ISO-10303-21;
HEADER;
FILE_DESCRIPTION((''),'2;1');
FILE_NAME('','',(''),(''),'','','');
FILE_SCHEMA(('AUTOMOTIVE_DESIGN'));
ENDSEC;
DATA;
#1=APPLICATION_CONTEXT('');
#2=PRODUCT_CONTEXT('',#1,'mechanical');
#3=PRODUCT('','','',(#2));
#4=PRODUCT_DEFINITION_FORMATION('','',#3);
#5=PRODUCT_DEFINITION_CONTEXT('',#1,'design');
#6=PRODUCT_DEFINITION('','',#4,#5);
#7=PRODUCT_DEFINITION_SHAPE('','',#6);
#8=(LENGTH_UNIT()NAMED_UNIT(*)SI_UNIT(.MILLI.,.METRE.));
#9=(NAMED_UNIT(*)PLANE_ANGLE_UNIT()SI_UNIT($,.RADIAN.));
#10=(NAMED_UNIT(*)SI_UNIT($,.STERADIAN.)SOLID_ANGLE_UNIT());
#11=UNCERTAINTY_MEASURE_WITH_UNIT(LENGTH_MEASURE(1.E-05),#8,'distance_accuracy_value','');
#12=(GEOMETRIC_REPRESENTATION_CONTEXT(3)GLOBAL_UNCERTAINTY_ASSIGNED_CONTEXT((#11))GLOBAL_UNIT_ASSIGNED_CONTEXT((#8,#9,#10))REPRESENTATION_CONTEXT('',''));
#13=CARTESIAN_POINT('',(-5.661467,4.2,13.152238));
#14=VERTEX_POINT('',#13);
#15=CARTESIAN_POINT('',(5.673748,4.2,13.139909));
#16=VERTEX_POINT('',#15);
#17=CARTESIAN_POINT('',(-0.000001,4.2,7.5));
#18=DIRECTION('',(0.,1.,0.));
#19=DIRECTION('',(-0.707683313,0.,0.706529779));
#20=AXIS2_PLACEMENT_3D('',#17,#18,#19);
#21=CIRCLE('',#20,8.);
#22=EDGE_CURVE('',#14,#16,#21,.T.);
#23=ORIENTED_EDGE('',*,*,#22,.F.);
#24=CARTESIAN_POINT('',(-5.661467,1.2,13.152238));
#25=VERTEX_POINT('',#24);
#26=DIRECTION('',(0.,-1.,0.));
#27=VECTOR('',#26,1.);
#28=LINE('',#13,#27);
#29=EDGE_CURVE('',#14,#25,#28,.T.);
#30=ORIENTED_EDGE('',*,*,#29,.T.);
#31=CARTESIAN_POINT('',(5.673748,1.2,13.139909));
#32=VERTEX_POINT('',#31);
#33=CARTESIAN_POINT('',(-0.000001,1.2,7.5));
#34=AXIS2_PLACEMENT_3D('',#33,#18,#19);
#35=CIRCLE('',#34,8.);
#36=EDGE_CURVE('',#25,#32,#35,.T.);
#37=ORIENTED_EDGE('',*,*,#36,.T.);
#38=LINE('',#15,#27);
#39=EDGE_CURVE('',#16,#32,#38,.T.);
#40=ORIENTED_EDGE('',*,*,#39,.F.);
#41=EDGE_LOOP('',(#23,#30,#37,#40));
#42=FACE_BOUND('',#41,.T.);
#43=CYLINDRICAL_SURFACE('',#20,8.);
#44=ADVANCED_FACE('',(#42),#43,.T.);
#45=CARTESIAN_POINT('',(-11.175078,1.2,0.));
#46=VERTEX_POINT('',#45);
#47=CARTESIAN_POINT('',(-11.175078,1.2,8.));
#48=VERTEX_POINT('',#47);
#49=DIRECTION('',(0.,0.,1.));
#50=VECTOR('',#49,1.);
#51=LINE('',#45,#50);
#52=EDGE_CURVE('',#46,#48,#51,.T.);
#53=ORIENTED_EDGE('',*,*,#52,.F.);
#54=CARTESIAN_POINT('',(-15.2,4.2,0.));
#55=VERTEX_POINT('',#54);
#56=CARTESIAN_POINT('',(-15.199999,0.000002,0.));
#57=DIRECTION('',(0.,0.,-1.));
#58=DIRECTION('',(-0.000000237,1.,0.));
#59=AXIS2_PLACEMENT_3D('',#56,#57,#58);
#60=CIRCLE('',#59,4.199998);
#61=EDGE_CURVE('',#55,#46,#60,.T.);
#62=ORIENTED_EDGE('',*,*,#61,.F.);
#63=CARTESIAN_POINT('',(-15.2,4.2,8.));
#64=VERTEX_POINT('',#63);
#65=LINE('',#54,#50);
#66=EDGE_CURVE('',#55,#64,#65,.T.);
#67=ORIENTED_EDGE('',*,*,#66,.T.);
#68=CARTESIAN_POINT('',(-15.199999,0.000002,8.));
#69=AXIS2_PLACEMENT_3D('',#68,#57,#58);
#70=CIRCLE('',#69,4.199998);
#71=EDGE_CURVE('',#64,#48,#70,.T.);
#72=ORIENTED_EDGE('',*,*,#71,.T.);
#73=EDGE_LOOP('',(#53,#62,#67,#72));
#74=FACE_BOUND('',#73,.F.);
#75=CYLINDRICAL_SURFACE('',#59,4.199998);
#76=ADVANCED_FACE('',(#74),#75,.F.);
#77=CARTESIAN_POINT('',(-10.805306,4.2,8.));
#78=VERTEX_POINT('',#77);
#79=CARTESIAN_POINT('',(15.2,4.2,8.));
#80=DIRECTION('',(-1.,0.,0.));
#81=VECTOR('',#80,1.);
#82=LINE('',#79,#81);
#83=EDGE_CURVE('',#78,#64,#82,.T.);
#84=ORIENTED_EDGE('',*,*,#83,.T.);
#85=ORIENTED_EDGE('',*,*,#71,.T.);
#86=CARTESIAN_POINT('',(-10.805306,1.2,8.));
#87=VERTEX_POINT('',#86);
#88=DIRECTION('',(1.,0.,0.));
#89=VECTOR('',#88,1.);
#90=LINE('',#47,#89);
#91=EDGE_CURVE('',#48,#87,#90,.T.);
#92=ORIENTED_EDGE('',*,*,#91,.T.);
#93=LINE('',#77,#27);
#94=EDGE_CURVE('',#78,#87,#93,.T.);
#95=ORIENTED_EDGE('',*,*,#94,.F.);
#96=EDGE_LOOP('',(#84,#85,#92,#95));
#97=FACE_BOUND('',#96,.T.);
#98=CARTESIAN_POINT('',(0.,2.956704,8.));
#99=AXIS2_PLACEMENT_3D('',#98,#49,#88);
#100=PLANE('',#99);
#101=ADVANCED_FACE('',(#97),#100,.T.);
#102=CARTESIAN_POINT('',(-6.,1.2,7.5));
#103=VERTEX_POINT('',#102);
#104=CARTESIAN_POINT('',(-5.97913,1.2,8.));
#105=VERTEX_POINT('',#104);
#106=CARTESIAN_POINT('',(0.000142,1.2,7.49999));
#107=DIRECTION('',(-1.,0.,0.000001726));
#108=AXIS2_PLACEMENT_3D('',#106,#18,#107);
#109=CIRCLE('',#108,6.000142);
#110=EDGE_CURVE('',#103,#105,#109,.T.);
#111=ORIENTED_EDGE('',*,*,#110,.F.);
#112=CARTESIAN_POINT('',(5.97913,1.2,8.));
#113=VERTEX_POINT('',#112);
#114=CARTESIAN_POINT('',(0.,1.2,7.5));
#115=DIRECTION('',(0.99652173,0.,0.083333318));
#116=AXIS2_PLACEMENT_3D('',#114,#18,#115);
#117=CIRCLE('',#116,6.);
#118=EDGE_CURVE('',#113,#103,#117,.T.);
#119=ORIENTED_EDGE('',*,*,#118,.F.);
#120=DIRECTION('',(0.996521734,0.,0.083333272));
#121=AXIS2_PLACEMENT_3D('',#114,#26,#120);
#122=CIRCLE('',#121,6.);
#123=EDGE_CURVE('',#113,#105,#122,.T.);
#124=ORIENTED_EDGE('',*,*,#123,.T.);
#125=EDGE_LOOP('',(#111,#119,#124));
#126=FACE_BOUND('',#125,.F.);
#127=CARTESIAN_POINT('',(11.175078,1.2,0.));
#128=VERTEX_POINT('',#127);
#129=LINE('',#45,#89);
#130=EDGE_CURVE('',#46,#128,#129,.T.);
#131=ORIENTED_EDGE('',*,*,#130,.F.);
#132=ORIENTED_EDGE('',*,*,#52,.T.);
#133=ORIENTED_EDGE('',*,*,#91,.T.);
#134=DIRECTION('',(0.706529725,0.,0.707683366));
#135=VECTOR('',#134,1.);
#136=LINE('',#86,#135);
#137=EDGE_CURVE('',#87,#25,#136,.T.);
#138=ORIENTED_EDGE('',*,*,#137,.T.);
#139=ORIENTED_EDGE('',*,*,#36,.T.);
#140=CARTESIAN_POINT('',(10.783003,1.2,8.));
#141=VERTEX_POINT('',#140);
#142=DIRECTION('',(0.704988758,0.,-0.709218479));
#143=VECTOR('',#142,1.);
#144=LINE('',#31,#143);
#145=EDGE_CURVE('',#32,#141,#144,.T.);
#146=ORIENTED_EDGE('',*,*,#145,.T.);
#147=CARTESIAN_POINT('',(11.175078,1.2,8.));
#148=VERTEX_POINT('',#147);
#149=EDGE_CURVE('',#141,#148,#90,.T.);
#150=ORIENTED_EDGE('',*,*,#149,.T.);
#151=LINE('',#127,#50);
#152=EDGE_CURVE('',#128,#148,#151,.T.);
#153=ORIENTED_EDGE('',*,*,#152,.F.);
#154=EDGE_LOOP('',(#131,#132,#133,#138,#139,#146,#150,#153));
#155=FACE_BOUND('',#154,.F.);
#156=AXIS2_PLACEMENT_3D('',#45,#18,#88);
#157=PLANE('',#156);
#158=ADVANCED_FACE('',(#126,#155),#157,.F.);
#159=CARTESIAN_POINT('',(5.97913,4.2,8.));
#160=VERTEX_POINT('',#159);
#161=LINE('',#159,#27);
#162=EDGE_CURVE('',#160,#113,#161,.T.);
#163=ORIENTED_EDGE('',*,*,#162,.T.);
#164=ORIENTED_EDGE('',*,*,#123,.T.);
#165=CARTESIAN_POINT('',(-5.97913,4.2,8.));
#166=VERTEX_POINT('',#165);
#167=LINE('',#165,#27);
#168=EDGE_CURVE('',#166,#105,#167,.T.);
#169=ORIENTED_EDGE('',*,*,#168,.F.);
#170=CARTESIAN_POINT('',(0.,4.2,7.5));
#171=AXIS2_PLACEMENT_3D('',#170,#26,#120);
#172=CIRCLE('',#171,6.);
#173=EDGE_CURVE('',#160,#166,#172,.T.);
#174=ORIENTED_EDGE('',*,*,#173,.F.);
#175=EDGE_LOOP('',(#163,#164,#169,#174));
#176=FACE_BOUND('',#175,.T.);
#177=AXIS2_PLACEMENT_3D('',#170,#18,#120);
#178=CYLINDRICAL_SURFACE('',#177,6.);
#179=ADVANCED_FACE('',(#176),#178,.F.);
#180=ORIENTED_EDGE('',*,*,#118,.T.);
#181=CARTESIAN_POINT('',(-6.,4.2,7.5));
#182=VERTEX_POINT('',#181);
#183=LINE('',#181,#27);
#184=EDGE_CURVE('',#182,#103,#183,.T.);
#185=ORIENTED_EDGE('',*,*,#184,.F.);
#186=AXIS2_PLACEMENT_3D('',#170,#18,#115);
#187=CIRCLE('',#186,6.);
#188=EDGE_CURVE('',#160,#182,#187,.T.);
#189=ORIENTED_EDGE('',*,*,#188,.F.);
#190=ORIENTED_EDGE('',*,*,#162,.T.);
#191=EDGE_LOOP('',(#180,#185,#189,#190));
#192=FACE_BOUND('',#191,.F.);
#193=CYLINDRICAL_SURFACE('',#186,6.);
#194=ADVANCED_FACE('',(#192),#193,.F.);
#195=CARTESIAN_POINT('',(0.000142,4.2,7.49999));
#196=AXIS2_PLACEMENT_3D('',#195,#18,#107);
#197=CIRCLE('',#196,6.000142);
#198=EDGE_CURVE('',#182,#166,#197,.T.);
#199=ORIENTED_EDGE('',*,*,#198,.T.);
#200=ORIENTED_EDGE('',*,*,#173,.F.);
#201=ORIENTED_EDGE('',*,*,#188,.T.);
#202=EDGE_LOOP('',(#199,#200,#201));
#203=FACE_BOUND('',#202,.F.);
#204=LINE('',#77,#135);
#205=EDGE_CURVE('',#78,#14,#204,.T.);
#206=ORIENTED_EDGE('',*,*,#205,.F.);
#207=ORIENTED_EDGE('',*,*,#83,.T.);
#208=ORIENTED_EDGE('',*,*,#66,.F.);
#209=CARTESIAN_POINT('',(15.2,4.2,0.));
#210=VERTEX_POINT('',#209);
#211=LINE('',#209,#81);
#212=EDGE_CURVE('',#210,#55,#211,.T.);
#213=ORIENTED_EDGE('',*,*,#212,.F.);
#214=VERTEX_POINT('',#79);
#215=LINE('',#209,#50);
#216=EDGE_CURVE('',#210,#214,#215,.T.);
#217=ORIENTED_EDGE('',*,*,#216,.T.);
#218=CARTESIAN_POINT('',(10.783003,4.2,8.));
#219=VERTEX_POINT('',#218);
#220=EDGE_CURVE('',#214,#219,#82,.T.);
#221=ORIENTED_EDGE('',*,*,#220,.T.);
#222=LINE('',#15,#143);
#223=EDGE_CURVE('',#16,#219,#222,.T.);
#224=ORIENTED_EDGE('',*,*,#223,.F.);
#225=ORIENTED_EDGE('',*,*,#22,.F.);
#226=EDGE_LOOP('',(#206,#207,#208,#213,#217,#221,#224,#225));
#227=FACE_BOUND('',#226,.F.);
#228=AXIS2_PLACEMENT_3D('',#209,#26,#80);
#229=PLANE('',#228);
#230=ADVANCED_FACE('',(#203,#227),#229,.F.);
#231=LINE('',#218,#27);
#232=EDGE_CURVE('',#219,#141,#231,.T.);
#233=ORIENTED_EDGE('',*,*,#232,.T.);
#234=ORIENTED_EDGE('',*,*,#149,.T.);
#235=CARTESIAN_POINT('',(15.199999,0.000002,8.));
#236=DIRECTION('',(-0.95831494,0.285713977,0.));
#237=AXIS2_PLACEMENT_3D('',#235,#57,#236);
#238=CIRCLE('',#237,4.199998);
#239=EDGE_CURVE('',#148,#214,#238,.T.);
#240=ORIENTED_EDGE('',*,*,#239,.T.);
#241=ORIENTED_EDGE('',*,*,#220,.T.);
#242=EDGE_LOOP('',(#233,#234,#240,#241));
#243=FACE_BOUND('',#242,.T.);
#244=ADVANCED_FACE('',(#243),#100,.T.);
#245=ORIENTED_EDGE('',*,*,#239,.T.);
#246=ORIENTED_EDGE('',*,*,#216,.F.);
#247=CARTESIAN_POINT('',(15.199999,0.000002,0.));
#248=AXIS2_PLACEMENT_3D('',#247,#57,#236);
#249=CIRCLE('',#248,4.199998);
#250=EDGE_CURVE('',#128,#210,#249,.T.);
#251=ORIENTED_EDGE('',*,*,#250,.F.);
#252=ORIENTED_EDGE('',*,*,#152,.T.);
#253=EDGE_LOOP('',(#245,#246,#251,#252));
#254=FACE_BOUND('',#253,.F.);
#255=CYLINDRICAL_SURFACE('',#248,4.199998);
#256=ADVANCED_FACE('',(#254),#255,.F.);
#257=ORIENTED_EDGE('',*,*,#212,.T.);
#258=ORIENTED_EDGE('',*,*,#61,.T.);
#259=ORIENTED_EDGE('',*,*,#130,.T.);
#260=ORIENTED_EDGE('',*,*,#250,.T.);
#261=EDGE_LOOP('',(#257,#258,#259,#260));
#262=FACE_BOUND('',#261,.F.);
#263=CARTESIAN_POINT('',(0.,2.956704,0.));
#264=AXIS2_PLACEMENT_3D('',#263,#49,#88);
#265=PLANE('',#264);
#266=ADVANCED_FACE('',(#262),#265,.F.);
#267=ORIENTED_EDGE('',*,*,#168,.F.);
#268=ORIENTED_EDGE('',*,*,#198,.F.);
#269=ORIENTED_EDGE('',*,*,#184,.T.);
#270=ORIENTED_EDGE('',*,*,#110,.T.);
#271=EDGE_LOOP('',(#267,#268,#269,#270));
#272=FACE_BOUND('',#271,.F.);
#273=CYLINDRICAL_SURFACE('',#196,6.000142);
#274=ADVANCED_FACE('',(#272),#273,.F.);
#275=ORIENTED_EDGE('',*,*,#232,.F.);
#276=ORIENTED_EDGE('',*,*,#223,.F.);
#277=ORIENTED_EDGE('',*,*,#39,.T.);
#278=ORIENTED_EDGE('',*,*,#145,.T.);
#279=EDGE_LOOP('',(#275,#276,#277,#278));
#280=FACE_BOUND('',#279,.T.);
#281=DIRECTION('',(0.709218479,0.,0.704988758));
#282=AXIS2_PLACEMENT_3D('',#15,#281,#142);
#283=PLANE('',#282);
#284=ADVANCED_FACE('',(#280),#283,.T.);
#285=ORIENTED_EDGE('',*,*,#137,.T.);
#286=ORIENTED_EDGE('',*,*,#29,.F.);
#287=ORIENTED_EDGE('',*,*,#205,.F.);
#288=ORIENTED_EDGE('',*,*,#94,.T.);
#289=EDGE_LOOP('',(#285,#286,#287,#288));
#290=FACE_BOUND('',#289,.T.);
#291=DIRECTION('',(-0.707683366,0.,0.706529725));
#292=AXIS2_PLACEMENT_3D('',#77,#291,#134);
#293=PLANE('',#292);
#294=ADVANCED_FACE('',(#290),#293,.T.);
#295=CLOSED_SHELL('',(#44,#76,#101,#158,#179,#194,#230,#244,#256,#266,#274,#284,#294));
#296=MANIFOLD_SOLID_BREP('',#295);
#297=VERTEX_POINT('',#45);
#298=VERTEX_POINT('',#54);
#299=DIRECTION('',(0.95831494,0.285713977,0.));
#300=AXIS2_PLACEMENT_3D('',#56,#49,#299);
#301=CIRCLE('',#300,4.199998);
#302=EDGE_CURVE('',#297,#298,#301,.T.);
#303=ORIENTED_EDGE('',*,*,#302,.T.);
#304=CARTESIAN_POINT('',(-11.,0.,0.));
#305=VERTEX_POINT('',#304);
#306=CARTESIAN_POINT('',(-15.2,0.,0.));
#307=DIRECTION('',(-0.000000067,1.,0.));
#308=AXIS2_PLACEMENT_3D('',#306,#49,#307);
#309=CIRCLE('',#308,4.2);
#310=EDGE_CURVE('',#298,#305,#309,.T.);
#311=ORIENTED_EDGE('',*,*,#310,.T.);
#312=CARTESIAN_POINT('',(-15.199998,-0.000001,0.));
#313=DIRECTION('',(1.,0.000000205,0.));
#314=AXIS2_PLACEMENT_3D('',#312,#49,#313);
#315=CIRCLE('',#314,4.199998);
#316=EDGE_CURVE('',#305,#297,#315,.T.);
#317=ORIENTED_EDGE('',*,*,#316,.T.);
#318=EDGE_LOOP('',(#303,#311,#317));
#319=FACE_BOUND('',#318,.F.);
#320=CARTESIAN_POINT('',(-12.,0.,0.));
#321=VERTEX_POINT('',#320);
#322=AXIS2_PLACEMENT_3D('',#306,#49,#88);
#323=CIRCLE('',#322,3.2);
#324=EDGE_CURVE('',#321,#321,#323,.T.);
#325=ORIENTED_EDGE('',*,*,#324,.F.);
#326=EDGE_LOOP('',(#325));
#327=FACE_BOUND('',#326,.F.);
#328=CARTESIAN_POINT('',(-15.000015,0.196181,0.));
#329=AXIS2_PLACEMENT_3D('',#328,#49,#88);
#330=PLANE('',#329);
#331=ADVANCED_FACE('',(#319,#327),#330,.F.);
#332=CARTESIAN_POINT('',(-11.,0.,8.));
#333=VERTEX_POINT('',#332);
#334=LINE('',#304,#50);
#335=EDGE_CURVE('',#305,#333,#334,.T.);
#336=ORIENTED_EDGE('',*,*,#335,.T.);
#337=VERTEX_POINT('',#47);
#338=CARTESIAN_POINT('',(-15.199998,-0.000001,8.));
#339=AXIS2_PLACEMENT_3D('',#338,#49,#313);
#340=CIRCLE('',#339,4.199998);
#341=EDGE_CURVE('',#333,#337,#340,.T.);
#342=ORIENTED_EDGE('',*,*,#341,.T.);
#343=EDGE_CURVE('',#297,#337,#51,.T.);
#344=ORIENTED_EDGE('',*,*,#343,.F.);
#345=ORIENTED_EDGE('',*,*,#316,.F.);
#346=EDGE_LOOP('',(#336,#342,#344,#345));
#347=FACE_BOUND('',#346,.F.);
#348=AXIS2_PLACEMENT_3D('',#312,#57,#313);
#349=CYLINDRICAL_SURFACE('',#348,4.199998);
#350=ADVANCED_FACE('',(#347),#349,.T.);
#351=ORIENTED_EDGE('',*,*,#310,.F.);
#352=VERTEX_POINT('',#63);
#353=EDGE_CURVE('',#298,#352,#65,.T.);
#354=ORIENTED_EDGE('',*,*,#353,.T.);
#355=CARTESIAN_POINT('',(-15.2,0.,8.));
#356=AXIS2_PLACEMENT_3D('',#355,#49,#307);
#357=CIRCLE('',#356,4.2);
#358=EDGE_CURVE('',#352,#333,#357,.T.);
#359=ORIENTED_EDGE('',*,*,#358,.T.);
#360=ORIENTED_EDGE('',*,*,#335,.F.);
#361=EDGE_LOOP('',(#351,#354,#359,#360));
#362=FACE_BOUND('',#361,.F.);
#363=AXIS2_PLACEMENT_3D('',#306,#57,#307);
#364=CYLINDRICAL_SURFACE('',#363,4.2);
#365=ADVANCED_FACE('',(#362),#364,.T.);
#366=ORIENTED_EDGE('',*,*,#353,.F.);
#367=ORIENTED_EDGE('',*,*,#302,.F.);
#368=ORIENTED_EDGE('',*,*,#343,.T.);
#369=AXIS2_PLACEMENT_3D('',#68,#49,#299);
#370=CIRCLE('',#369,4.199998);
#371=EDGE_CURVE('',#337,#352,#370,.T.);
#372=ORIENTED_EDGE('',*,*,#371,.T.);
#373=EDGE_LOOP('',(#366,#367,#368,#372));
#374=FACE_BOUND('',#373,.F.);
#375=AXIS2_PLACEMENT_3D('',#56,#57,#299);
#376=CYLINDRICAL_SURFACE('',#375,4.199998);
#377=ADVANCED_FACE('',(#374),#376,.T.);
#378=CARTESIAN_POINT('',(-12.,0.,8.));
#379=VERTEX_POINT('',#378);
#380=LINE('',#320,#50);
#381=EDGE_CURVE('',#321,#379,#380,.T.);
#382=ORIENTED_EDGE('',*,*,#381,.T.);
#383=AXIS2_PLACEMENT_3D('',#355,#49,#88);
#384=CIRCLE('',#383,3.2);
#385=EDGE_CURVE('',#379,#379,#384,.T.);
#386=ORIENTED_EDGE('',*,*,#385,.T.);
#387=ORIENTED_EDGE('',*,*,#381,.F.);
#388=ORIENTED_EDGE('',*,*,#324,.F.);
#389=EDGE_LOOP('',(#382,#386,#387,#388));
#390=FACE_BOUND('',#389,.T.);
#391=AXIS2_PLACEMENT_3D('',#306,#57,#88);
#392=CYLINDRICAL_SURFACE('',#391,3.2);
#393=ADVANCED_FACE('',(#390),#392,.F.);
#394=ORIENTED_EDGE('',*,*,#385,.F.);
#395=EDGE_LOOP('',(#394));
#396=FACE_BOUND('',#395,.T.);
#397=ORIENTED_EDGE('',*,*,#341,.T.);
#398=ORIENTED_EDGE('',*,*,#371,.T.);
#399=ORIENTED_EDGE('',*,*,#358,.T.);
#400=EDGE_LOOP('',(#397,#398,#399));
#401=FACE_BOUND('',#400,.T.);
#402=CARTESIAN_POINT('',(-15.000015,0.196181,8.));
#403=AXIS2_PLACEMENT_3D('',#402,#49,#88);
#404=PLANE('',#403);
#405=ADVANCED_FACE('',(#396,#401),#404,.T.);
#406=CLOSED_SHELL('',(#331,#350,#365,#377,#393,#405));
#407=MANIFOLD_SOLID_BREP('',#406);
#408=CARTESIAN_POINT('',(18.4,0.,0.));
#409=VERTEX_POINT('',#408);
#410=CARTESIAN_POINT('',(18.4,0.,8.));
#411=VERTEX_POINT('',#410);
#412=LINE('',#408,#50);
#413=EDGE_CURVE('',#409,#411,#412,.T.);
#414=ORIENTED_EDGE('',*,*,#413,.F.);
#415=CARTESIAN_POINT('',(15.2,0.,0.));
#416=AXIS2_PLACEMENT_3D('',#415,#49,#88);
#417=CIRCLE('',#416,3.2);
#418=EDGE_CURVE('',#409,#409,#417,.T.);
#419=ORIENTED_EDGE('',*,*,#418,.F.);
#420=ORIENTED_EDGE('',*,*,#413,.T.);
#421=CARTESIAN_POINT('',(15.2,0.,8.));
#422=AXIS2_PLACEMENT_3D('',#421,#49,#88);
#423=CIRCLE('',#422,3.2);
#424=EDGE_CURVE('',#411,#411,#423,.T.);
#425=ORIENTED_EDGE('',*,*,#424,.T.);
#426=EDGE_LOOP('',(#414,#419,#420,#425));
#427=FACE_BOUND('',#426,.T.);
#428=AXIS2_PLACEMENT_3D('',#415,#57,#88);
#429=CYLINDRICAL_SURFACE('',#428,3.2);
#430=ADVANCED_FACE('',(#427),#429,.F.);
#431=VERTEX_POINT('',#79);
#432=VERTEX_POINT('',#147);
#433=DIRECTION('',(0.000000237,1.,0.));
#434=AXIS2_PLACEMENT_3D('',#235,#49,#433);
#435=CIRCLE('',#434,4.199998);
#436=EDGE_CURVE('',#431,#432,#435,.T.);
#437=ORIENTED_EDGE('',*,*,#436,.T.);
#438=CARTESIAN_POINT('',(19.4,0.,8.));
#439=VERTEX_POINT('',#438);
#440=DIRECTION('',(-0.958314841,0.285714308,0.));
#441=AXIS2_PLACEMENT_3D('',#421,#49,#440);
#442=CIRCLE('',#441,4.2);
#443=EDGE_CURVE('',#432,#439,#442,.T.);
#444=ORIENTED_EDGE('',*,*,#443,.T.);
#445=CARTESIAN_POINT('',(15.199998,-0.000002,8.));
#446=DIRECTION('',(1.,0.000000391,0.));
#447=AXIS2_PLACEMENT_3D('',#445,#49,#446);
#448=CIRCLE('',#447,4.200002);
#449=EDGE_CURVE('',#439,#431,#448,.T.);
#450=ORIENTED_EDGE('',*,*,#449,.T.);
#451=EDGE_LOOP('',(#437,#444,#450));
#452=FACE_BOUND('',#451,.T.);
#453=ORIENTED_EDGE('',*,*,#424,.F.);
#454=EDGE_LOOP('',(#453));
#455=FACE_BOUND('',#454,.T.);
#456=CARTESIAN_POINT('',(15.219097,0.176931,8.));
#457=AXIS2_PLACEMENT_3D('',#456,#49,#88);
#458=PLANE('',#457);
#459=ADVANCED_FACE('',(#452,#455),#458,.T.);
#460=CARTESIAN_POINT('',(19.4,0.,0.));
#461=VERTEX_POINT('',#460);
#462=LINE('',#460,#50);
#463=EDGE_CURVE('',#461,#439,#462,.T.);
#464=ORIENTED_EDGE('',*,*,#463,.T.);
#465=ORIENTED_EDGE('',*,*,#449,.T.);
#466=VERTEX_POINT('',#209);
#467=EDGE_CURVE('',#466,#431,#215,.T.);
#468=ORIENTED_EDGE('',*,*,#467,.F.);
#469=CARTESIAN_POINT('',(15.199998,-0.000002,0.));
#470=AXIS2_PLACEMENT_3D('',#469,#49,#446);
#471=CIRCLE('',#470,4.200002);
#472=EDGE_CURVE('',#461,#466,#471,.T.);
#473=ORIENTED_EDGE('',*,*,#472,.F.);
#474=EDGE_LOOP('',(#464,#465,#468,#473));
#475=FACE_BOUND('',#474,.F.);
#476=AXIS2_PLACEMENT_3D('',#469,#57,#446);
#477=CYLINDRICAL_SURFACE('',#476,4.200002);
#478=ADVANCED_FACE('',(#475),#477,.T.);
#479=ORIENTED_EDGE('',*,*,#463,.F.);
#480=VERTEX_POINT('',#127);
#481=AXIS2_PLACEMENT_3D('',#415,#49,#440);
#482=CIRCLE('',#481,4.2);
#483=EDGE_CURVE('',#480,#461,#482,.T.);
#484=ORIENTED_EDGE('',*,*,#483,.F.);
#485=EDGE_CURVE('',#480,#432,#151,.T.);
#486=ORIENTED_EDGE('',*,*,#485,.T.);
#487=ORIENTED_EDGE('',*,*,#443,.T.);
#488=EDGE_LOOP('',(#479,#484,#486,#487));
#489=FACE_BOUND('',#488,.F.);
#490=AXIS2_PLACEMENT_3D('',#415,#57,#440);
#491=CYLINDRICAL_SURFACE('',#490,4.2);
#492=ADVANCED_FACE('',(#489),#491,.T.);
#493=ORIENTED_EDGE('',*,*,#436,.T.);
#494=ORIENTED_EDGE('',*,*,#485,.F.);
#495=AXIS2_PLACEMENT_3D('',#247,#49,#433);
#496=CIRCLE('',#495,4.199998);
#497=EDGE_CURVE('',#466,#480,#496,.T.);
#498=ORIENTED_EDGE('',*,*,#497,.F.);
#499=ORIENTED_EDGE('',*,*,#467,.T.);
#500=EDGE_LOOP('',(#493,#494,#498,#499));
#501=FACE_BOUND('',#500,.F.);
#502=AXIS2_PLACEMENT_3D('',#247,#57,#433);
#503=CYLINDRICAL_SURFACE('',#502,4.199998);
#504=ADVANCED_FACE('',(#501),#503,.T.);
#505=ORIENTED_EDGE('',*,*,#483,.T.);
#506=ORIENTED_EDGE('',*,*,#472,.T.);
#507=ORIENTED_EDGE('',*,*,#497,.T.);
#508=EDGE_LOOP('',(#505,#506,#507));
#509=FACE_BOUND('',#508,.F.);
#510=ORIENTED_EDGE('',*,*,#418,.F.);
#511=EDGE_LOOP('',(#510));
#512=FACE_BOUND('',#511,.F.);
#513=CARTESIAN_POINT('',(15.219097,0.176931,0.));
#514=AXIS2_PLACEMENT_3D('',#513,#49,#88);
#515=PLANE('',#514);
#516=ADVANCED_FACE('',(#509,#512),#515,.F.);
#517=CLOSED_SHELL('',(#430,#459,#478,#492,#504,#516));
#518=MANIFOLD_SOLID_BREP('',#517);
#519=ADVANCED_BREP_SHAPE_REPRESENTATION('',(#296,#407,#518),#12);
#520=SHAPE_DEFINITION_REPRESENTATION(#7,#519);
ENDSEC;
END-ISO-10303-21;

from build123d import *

# Parameters (mm, degrees)
F0_R     = 3.2
F1_DEPTH = 8
F2_DEPTH = 8
F4_DEPTH = 3
F5_DEPTH = 3


with BuildPart() as f1:
    # F0 (on Top) → F1 (new body)
    with BuildSketch(Plane.XY):
        with BuildLine():
            ThreePointArc((-11.175078, 1.2), (-12.69002, 3.367492), (-15.2, 4.2))
            ThreePointArc((-15.2, 4.2), (-18.169848, -2.969848), (-11, 0))
            ThreePointArc((-11, 0), (-11.044, 0.606352), (-11.175078, 1.2))
        make_face()
        with Locations((-15.2, 0)):
            Circle(F0_R, mode=Mode.SUBTRACT)
        with BuildLine():
            ThreePointArc((19.4, 0), (18.169848, 2.969848), (15.2, 4.2))
            ThreePointArc((15.2, 4.2), (12.69002, 3.367492), (11.175078, 1.2))
            ThreePointArc((11.175078, 1.2), (14.593648, -4.156), (19.4, 0))
        make_face()
        with Locations((15.2, 0)):
            Circle(F0_R, mode=Mode.SUBTRACT)
    extrude(amount=F1_DEPTH)


with BuildPart() as f2:
    # F0 (on Top) → F2 (new body)
    with BuildSketch(Plane.XY):
        with BuildLine():
            ThreePointArc((11.175078, 1.2), (12.69002, 3.367492), (15.2, 4.2))
            Line((15.2, 4.2), (-15.2, 4.2))
            ThreePointArc((-15.2, 4.2), (-12.69002, 3.367492), (-11.175078, 1.2))
            Line((-11.175078, 1.2), (11.175078, 1.2))
        make_face()
    extrude(amount=F2_DEPTH)

    # F3 (on face) → F4 (join)
    with BuildSketch(Plane(origin=(0, 4.2, 0), x_dir=(-1, 0, 0), z_dir=(0, 1, 0))):
        with BuildLine():
            ThreePointArc((-5.97913, 8), (0, 13.5), (5.97913, 8))
            Line((5.97913, 8), (10.805306, 8))
            Line((10.805306, 8), (5.661467, 13.152238))
            ThreePointArc((5.661467, 13.152238), (-0.008701, 15.499995), (-5.673748, 13.139909))
            Line((-5.673748, 13.139909), (-10.783003, 8))
            Line((-10.783003, 8), (-5.97913, 8))
        make_face()
    extrude(amount=-F4_DEPTH)

    # F3 (on face) → F5 (cut)
    with BuildSketch(Plane(origin=(0, 4.2, 0), x_dir=(-1, 0, 0), z_dir=(0, 1, 0))):
        with BuildLine():
            ThreePointArc((-5.97913, 8), (-0.250218, 1.50522), (6, 7.5))
            ThreePointArc((6, 7.5), (5.99478, 7.750218), (5.97913, 8))
            Line((5.97913, 8), (-5.97913, 8))
        make_face()
    extrude(amount=-F5_DEPTH, mode=Mode.SUBTRACT)


solid = Compound([f1.part, f2.part])
